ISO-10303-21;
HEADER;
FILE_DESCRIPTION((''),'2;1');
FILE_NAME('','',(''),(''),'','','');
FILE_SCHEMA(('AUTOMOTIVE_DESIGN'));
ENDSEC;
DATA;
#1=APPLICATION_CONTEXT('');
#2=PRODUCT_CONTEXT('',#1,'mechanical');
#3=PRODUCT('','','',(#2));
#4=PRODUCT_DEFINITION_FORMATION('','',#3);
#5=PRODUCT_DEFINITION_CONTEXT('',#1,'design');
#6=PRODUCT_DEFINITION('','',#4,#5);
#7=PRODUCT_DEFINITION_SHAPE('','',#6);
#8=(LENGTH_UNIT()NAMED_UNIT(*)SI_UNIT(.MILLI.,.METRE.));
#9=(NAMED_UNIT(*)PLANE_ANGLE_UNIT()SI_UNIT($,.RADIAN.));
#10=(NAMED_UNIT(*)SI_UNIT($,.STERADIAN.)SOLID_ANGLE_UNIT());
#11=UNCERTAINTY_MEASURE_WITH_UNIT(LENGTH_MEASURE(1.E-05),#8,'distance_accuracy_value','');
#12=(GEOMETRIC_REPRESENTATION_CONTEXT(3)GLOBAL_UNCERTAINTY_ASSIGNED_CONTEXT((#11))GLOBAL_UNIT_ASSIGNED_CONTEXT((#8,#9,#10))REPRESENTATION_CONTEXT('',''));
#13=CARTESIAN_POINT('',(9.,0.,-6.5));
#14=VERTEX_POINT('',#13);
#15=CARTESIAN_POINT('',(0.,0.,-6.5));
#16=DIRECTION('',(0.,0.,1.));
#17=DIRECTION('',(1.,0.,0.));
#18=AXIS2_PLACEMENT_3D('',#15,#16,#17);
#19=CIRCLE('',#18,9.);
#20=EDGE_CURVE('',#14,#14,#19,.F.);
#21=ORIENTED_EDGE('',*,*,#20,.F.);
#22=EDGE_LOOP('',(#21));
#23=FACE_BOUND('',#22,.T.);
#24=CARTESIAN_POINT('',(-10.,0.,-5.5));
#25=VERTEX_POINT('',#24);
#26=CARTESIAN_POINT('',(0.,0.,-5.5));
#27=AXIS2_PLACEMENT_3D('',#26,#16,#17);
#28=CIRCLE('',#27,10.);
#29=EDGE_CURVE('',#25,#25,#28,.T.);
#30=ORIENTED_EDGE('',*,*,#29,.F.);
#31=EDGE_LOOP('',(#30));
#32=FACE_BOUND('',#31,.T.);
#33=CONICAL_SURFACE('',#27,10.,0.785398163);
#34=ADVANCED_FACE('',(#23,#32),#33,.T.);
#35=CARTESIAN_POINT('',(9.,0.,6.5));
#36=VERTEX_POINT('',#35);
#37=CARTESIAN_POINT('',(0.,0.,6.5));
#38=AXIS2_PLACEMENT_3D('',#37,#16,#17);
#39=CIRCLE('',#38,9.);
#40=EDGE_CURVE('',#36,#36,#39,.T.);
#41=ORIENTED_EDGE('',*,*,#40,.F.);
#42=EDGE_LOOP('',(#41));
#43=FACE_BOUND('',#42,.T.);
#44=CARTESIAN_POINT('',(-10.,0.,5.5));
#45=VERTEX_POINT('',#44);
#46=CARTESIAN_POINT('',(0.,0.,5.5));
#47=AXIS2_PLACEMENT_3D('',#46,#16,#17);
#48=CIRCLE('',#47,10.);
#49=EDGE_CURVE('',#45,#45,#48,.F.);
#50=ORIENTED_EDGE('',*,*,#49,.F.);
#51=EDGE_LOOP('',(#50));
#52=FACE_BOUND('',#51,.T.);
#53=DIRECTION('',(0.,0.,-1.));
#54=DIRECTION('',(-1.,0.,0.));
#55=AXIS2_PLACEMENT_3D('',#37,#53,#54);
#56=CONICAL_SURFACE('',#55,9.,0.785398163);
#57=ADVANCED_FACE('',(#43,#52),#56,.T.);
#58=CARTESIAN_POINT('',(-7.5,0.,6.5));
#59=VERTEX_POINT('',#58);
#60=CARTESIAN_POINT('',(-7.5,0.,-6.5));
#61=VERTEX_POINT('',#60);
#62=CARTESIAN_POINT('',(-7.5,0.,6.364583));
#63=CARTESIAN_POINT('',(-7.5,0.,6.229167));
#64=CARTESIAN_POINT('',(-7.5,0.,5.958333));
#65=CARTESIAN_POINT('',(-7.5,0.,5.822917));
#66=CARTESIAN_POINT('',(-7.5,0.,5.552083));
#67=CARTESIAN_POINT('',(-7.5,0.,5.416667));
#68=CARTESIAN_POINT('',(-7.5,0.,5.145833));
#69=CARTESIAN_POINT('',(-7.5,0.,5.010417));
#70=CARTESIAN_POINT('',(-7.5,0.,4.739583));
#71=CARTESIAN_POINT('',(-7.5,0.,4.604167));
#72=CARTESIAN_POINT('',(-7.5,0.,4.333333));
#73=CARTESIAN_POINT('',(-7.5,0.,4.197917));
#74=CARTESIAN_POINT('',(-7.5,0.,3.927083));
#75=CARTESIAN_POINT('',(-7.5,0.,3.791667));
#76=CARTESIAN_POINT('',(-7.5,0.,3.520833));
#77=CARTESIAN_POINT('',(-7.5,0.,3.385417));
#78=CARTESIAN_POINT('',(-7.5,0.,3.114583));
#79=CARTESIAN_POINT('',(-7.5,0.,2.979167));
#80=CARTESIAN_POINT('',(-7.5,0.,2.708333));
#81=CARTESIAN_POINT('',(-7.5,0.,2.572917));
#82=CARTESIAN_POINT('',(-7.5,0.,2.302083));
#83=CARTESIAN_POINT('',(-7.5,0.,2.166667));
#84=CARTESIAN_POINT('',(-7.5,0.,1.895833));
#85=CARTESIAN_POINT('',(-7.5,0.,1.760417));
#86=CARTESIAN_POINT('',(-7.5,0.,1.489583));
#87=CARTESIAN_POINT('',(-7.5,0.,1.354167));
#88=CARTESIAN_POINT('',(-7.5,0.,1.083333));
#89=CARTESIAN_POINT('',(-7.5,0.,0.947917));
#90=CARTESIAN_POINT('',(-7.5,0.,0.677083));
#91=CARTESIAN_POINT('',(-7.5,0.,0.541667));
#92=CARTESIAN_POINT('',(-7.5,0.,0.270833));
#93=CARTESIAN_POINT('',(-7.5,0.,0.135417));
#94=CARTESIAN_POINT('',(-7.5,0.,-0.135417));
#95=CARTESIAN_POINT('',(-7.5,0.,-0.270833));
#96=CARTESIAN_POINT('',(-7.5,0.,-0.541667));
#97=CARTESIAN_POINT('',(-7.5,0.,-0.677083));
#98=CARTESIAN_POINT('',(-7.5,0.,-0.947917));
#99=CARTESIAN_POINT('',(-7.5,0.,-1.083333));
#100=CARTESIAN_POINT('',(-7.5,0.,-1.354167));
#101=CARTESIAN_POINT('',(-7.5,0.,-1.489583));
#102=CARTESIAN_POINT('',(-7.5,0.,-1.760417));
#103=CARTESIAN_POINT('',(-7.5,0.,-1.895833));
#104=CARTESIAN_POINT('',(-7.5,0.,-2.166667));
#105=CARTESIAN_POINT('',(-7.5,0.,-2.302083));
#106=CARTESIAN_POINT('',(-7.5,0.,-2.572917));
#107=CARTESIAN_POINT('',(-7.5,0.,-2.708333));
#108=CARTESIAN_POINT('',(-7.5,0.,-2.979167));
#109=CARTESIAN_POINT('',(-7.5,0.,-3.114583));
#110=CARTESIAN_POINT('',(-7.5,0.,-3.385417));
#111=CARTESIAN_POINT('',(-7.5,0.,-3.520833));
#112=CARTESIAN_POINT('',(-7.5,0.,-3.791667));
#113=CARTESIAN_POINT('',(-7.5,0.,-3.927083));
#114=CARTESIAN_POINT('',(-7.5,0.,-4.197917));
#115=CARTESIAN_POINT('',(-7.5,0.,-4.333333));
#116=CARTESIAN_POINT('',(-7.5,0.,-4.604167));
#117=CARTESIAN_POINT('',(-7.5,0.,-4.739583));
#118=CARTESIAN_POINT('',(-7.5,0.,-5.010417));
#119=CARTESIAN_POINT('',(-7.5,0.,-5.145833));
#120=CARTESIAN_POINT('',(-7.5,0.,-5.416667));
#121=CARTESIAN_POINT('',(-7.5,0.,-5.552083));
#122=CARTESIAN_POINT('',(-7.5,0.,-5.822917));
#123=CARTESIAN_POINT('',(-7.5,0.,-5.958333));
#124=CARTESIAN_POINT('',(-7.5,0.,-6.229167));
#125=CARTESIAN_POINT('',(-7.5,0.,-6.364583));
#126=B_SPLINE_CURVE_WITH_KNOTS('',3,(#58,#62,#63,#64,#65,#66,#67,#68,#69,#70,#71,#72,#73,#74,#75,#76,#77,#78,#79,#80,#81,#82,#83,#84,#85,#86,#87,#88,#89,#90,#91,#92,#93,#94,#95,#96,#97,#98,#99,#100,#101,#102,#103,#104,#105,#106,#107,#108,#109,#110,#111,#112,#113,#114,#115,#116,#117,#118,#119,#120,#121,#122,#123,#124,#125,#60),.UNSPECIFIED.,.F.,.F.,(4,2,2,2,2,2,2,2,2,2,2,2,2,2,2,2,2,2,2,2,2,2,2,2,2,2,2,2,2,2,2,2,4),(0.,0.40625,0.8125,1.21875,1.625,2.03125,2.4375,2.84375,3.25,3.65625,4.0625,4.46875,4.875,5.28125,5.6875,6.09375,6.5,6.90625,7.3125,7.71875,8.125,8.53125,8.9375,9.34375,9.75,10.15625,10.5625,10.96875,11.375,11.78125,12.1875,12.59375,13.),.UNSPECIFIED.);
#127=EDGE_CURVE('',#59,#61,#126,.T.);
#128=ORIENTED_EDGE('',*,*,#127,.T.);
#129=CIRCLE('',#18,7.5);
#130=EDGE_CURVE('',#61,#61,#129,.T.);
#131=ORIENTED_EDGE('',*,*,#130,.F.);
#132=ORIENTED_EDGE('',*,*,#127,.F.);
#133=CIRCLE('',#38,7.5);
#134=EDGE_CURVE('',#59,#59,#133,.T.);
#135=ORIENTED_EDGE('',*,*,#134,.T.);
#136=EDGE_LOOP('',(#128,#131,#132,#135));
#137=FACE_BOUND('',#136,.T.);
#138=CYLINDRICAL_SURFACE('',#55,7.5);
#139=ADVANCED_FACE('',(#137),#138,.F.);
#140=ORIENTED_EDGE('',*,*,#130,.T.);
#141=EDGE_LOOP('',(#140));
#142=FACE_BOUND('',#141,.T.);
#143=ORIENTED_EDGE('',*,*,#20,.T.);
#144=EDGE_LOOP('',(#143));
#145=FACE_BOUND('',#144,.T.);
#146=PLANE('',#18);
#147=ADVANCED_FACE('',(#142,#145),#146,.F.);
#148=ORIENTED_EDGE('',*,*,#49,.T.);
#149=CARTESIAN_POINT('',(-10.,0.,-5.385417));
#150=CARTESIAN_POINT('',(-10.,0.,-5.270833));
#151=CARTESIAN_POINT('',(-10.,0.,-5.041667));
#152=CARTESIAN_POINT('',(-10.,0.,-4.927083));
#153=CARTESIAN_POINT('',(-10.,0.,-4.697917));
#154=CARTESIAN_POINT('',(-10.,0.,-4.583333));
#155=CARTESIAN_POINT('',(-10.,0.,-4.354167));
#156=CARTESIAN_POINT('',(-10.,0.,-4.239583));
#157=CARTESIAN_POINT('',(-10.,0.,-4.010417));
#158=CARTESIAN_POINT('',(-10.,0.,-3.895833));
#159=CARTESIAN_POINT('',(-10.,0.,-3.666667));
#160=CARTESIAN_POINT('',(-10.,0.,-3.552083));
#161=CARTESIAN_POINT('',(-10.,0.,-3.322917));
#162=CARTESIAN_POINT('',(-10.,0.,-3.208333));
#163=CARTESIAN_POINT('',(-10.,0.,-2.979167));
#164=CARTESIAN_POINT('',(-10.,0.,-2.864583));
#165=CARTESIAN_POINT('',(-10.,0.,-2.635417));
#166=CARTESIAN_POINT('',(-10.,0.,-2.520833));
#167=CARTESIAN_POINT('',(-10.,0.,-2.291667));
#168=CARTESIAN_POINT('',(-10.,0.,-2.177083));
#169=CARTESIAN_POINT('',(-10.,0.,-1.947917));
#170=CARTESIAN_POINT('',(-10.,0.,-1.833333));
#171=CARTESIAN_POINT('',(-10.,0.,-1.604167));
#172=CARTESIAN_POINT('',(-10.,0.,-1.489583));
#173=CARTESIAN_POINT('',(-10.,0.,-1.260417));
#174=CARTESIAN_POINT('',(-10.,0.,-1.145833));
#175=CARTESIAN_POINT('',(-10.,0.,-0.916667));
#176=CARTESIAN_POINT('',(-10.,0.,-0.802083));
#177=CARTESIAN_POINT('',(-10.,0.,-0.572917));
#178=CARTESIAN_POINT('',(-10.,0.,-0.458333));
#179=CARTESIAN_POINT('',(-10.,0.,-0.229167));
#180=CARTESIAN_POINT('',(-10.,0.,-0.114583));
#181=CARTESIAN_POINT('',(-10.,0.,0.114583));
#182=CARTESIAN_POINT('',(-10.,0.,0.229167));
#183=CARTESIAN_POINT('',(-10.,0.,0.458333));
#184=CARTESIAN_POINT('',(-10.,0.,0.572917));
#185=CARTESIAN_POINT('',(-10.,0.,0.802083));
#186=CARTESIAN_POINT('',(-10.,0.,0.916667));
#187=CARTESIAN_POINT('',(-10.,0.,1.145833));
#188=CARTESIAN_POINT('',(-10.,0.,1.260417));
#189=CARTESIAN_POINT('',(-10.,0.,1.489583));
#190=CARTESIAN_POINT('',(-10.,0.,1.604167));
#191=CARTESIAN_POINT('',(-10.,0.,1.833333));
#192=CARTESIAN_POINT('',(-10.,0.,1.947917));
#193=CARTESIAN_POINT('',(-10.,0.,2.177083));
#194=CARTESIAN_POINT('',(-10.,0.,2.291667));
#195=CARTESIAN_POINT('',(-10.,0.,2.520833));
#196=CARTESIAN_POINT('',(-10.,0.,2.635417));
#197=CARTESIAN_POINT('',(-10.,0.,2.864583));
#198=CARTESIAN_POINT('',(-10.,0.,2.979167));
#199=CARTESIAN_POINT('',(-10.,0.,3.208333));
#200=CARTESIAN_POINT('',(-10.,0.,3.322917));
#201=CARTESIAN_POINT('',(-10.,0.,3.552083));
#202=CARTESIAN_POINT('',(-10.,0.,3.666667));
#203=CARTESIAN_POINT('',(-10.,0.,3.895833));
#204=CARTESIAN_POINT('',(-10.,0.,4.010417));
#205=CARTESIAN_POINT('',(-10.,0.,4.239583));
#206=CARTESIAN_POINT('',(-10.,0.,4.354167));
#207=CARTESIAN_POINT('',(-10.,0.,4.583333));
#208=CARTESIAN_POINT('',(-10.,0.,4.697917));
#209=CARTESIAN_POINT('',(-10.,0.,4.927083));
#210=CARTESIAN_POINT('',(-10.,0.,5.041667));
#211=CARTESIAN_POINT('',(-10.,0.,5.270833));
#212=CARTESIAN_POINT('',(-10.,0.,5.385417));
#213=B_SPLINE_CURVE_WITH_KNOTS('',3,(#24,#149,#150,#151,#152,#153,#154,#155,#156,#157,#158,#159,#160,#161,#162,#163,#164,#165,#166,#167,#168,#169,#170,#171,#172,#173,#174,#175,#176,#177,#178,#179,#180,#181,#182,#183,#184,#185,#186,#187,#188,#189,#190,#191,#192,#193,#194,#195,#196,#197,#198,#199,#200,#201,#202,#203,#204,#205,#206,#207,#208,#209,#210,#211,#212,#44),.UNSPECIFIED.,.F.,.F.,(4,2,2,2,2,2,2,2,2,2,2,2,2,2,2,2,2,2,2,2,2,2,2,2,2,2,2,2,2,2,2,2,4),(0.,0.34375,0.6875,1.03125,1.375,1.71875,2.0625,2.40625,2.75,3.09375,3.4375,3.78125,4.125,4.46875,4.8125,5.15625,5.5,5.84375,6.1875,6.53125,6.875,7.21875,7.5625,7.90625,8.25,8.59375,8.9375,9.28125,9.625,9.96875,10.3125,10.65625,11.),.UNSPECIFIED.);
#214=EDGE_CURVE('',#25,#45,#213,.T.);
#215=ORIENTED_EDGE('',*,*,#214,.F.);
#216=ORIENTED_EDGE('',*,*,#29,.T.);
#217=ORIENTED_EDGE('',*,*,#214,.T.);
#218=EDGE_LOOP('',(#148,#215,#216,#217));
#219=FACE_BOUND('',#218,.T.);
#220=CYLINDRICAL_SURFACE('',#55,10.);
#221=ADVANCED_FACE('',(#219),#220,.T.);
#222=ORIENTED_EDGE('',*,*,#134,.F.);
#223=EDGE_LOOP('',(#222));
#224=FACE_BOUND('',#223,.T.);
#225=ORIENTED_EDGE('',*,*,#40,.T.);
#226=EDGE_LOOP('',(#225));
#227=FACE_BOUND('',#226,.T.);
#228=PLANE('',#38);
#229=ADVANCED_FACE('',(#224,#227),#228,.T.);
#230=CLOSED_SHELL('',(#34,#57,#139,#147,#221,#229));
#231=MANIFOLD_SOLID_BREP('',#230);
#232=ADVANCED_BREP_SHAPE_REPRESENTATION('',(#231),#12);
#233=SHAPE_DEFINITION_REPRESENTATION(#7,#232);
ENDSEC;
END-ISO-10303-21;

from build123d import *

# Parameters (mm, degrees)
SKETCH1_R           = 10
SKETCH1_R_2         = 7.5
BOSS_EXTRUDE1_DEPTH = 6.5
CHAMFER1_SIZE       = 1


with BuildPart() as part:
    # Sketch1 → Boss-Extrude1 (new, symmetric)
    with BuildSketch(Plane.XY):
        with Locations(Location((0, 0, 0), (0, 0, 180))):
            Circle(SKETCH1_R)
        with Locations(Location((0, 0, 0), (0, 0, 180))):
            Circle(SKETCH1_R_2, mode=Mode.SUBTRACT)
    extrude(amount=BOSS_EXTRUDE1_DEPTH, both=True)

    # Chamfer1
    chamfer1_edges = [part.edges().sort_by_distance(p)[0] for p in [
        (10, 0, -6.5),
        (10, 0, 6.5),
    ]]
    chamfer(chamfer1_edges, length=CHAMFER1_SIZE)


solid = part.part
